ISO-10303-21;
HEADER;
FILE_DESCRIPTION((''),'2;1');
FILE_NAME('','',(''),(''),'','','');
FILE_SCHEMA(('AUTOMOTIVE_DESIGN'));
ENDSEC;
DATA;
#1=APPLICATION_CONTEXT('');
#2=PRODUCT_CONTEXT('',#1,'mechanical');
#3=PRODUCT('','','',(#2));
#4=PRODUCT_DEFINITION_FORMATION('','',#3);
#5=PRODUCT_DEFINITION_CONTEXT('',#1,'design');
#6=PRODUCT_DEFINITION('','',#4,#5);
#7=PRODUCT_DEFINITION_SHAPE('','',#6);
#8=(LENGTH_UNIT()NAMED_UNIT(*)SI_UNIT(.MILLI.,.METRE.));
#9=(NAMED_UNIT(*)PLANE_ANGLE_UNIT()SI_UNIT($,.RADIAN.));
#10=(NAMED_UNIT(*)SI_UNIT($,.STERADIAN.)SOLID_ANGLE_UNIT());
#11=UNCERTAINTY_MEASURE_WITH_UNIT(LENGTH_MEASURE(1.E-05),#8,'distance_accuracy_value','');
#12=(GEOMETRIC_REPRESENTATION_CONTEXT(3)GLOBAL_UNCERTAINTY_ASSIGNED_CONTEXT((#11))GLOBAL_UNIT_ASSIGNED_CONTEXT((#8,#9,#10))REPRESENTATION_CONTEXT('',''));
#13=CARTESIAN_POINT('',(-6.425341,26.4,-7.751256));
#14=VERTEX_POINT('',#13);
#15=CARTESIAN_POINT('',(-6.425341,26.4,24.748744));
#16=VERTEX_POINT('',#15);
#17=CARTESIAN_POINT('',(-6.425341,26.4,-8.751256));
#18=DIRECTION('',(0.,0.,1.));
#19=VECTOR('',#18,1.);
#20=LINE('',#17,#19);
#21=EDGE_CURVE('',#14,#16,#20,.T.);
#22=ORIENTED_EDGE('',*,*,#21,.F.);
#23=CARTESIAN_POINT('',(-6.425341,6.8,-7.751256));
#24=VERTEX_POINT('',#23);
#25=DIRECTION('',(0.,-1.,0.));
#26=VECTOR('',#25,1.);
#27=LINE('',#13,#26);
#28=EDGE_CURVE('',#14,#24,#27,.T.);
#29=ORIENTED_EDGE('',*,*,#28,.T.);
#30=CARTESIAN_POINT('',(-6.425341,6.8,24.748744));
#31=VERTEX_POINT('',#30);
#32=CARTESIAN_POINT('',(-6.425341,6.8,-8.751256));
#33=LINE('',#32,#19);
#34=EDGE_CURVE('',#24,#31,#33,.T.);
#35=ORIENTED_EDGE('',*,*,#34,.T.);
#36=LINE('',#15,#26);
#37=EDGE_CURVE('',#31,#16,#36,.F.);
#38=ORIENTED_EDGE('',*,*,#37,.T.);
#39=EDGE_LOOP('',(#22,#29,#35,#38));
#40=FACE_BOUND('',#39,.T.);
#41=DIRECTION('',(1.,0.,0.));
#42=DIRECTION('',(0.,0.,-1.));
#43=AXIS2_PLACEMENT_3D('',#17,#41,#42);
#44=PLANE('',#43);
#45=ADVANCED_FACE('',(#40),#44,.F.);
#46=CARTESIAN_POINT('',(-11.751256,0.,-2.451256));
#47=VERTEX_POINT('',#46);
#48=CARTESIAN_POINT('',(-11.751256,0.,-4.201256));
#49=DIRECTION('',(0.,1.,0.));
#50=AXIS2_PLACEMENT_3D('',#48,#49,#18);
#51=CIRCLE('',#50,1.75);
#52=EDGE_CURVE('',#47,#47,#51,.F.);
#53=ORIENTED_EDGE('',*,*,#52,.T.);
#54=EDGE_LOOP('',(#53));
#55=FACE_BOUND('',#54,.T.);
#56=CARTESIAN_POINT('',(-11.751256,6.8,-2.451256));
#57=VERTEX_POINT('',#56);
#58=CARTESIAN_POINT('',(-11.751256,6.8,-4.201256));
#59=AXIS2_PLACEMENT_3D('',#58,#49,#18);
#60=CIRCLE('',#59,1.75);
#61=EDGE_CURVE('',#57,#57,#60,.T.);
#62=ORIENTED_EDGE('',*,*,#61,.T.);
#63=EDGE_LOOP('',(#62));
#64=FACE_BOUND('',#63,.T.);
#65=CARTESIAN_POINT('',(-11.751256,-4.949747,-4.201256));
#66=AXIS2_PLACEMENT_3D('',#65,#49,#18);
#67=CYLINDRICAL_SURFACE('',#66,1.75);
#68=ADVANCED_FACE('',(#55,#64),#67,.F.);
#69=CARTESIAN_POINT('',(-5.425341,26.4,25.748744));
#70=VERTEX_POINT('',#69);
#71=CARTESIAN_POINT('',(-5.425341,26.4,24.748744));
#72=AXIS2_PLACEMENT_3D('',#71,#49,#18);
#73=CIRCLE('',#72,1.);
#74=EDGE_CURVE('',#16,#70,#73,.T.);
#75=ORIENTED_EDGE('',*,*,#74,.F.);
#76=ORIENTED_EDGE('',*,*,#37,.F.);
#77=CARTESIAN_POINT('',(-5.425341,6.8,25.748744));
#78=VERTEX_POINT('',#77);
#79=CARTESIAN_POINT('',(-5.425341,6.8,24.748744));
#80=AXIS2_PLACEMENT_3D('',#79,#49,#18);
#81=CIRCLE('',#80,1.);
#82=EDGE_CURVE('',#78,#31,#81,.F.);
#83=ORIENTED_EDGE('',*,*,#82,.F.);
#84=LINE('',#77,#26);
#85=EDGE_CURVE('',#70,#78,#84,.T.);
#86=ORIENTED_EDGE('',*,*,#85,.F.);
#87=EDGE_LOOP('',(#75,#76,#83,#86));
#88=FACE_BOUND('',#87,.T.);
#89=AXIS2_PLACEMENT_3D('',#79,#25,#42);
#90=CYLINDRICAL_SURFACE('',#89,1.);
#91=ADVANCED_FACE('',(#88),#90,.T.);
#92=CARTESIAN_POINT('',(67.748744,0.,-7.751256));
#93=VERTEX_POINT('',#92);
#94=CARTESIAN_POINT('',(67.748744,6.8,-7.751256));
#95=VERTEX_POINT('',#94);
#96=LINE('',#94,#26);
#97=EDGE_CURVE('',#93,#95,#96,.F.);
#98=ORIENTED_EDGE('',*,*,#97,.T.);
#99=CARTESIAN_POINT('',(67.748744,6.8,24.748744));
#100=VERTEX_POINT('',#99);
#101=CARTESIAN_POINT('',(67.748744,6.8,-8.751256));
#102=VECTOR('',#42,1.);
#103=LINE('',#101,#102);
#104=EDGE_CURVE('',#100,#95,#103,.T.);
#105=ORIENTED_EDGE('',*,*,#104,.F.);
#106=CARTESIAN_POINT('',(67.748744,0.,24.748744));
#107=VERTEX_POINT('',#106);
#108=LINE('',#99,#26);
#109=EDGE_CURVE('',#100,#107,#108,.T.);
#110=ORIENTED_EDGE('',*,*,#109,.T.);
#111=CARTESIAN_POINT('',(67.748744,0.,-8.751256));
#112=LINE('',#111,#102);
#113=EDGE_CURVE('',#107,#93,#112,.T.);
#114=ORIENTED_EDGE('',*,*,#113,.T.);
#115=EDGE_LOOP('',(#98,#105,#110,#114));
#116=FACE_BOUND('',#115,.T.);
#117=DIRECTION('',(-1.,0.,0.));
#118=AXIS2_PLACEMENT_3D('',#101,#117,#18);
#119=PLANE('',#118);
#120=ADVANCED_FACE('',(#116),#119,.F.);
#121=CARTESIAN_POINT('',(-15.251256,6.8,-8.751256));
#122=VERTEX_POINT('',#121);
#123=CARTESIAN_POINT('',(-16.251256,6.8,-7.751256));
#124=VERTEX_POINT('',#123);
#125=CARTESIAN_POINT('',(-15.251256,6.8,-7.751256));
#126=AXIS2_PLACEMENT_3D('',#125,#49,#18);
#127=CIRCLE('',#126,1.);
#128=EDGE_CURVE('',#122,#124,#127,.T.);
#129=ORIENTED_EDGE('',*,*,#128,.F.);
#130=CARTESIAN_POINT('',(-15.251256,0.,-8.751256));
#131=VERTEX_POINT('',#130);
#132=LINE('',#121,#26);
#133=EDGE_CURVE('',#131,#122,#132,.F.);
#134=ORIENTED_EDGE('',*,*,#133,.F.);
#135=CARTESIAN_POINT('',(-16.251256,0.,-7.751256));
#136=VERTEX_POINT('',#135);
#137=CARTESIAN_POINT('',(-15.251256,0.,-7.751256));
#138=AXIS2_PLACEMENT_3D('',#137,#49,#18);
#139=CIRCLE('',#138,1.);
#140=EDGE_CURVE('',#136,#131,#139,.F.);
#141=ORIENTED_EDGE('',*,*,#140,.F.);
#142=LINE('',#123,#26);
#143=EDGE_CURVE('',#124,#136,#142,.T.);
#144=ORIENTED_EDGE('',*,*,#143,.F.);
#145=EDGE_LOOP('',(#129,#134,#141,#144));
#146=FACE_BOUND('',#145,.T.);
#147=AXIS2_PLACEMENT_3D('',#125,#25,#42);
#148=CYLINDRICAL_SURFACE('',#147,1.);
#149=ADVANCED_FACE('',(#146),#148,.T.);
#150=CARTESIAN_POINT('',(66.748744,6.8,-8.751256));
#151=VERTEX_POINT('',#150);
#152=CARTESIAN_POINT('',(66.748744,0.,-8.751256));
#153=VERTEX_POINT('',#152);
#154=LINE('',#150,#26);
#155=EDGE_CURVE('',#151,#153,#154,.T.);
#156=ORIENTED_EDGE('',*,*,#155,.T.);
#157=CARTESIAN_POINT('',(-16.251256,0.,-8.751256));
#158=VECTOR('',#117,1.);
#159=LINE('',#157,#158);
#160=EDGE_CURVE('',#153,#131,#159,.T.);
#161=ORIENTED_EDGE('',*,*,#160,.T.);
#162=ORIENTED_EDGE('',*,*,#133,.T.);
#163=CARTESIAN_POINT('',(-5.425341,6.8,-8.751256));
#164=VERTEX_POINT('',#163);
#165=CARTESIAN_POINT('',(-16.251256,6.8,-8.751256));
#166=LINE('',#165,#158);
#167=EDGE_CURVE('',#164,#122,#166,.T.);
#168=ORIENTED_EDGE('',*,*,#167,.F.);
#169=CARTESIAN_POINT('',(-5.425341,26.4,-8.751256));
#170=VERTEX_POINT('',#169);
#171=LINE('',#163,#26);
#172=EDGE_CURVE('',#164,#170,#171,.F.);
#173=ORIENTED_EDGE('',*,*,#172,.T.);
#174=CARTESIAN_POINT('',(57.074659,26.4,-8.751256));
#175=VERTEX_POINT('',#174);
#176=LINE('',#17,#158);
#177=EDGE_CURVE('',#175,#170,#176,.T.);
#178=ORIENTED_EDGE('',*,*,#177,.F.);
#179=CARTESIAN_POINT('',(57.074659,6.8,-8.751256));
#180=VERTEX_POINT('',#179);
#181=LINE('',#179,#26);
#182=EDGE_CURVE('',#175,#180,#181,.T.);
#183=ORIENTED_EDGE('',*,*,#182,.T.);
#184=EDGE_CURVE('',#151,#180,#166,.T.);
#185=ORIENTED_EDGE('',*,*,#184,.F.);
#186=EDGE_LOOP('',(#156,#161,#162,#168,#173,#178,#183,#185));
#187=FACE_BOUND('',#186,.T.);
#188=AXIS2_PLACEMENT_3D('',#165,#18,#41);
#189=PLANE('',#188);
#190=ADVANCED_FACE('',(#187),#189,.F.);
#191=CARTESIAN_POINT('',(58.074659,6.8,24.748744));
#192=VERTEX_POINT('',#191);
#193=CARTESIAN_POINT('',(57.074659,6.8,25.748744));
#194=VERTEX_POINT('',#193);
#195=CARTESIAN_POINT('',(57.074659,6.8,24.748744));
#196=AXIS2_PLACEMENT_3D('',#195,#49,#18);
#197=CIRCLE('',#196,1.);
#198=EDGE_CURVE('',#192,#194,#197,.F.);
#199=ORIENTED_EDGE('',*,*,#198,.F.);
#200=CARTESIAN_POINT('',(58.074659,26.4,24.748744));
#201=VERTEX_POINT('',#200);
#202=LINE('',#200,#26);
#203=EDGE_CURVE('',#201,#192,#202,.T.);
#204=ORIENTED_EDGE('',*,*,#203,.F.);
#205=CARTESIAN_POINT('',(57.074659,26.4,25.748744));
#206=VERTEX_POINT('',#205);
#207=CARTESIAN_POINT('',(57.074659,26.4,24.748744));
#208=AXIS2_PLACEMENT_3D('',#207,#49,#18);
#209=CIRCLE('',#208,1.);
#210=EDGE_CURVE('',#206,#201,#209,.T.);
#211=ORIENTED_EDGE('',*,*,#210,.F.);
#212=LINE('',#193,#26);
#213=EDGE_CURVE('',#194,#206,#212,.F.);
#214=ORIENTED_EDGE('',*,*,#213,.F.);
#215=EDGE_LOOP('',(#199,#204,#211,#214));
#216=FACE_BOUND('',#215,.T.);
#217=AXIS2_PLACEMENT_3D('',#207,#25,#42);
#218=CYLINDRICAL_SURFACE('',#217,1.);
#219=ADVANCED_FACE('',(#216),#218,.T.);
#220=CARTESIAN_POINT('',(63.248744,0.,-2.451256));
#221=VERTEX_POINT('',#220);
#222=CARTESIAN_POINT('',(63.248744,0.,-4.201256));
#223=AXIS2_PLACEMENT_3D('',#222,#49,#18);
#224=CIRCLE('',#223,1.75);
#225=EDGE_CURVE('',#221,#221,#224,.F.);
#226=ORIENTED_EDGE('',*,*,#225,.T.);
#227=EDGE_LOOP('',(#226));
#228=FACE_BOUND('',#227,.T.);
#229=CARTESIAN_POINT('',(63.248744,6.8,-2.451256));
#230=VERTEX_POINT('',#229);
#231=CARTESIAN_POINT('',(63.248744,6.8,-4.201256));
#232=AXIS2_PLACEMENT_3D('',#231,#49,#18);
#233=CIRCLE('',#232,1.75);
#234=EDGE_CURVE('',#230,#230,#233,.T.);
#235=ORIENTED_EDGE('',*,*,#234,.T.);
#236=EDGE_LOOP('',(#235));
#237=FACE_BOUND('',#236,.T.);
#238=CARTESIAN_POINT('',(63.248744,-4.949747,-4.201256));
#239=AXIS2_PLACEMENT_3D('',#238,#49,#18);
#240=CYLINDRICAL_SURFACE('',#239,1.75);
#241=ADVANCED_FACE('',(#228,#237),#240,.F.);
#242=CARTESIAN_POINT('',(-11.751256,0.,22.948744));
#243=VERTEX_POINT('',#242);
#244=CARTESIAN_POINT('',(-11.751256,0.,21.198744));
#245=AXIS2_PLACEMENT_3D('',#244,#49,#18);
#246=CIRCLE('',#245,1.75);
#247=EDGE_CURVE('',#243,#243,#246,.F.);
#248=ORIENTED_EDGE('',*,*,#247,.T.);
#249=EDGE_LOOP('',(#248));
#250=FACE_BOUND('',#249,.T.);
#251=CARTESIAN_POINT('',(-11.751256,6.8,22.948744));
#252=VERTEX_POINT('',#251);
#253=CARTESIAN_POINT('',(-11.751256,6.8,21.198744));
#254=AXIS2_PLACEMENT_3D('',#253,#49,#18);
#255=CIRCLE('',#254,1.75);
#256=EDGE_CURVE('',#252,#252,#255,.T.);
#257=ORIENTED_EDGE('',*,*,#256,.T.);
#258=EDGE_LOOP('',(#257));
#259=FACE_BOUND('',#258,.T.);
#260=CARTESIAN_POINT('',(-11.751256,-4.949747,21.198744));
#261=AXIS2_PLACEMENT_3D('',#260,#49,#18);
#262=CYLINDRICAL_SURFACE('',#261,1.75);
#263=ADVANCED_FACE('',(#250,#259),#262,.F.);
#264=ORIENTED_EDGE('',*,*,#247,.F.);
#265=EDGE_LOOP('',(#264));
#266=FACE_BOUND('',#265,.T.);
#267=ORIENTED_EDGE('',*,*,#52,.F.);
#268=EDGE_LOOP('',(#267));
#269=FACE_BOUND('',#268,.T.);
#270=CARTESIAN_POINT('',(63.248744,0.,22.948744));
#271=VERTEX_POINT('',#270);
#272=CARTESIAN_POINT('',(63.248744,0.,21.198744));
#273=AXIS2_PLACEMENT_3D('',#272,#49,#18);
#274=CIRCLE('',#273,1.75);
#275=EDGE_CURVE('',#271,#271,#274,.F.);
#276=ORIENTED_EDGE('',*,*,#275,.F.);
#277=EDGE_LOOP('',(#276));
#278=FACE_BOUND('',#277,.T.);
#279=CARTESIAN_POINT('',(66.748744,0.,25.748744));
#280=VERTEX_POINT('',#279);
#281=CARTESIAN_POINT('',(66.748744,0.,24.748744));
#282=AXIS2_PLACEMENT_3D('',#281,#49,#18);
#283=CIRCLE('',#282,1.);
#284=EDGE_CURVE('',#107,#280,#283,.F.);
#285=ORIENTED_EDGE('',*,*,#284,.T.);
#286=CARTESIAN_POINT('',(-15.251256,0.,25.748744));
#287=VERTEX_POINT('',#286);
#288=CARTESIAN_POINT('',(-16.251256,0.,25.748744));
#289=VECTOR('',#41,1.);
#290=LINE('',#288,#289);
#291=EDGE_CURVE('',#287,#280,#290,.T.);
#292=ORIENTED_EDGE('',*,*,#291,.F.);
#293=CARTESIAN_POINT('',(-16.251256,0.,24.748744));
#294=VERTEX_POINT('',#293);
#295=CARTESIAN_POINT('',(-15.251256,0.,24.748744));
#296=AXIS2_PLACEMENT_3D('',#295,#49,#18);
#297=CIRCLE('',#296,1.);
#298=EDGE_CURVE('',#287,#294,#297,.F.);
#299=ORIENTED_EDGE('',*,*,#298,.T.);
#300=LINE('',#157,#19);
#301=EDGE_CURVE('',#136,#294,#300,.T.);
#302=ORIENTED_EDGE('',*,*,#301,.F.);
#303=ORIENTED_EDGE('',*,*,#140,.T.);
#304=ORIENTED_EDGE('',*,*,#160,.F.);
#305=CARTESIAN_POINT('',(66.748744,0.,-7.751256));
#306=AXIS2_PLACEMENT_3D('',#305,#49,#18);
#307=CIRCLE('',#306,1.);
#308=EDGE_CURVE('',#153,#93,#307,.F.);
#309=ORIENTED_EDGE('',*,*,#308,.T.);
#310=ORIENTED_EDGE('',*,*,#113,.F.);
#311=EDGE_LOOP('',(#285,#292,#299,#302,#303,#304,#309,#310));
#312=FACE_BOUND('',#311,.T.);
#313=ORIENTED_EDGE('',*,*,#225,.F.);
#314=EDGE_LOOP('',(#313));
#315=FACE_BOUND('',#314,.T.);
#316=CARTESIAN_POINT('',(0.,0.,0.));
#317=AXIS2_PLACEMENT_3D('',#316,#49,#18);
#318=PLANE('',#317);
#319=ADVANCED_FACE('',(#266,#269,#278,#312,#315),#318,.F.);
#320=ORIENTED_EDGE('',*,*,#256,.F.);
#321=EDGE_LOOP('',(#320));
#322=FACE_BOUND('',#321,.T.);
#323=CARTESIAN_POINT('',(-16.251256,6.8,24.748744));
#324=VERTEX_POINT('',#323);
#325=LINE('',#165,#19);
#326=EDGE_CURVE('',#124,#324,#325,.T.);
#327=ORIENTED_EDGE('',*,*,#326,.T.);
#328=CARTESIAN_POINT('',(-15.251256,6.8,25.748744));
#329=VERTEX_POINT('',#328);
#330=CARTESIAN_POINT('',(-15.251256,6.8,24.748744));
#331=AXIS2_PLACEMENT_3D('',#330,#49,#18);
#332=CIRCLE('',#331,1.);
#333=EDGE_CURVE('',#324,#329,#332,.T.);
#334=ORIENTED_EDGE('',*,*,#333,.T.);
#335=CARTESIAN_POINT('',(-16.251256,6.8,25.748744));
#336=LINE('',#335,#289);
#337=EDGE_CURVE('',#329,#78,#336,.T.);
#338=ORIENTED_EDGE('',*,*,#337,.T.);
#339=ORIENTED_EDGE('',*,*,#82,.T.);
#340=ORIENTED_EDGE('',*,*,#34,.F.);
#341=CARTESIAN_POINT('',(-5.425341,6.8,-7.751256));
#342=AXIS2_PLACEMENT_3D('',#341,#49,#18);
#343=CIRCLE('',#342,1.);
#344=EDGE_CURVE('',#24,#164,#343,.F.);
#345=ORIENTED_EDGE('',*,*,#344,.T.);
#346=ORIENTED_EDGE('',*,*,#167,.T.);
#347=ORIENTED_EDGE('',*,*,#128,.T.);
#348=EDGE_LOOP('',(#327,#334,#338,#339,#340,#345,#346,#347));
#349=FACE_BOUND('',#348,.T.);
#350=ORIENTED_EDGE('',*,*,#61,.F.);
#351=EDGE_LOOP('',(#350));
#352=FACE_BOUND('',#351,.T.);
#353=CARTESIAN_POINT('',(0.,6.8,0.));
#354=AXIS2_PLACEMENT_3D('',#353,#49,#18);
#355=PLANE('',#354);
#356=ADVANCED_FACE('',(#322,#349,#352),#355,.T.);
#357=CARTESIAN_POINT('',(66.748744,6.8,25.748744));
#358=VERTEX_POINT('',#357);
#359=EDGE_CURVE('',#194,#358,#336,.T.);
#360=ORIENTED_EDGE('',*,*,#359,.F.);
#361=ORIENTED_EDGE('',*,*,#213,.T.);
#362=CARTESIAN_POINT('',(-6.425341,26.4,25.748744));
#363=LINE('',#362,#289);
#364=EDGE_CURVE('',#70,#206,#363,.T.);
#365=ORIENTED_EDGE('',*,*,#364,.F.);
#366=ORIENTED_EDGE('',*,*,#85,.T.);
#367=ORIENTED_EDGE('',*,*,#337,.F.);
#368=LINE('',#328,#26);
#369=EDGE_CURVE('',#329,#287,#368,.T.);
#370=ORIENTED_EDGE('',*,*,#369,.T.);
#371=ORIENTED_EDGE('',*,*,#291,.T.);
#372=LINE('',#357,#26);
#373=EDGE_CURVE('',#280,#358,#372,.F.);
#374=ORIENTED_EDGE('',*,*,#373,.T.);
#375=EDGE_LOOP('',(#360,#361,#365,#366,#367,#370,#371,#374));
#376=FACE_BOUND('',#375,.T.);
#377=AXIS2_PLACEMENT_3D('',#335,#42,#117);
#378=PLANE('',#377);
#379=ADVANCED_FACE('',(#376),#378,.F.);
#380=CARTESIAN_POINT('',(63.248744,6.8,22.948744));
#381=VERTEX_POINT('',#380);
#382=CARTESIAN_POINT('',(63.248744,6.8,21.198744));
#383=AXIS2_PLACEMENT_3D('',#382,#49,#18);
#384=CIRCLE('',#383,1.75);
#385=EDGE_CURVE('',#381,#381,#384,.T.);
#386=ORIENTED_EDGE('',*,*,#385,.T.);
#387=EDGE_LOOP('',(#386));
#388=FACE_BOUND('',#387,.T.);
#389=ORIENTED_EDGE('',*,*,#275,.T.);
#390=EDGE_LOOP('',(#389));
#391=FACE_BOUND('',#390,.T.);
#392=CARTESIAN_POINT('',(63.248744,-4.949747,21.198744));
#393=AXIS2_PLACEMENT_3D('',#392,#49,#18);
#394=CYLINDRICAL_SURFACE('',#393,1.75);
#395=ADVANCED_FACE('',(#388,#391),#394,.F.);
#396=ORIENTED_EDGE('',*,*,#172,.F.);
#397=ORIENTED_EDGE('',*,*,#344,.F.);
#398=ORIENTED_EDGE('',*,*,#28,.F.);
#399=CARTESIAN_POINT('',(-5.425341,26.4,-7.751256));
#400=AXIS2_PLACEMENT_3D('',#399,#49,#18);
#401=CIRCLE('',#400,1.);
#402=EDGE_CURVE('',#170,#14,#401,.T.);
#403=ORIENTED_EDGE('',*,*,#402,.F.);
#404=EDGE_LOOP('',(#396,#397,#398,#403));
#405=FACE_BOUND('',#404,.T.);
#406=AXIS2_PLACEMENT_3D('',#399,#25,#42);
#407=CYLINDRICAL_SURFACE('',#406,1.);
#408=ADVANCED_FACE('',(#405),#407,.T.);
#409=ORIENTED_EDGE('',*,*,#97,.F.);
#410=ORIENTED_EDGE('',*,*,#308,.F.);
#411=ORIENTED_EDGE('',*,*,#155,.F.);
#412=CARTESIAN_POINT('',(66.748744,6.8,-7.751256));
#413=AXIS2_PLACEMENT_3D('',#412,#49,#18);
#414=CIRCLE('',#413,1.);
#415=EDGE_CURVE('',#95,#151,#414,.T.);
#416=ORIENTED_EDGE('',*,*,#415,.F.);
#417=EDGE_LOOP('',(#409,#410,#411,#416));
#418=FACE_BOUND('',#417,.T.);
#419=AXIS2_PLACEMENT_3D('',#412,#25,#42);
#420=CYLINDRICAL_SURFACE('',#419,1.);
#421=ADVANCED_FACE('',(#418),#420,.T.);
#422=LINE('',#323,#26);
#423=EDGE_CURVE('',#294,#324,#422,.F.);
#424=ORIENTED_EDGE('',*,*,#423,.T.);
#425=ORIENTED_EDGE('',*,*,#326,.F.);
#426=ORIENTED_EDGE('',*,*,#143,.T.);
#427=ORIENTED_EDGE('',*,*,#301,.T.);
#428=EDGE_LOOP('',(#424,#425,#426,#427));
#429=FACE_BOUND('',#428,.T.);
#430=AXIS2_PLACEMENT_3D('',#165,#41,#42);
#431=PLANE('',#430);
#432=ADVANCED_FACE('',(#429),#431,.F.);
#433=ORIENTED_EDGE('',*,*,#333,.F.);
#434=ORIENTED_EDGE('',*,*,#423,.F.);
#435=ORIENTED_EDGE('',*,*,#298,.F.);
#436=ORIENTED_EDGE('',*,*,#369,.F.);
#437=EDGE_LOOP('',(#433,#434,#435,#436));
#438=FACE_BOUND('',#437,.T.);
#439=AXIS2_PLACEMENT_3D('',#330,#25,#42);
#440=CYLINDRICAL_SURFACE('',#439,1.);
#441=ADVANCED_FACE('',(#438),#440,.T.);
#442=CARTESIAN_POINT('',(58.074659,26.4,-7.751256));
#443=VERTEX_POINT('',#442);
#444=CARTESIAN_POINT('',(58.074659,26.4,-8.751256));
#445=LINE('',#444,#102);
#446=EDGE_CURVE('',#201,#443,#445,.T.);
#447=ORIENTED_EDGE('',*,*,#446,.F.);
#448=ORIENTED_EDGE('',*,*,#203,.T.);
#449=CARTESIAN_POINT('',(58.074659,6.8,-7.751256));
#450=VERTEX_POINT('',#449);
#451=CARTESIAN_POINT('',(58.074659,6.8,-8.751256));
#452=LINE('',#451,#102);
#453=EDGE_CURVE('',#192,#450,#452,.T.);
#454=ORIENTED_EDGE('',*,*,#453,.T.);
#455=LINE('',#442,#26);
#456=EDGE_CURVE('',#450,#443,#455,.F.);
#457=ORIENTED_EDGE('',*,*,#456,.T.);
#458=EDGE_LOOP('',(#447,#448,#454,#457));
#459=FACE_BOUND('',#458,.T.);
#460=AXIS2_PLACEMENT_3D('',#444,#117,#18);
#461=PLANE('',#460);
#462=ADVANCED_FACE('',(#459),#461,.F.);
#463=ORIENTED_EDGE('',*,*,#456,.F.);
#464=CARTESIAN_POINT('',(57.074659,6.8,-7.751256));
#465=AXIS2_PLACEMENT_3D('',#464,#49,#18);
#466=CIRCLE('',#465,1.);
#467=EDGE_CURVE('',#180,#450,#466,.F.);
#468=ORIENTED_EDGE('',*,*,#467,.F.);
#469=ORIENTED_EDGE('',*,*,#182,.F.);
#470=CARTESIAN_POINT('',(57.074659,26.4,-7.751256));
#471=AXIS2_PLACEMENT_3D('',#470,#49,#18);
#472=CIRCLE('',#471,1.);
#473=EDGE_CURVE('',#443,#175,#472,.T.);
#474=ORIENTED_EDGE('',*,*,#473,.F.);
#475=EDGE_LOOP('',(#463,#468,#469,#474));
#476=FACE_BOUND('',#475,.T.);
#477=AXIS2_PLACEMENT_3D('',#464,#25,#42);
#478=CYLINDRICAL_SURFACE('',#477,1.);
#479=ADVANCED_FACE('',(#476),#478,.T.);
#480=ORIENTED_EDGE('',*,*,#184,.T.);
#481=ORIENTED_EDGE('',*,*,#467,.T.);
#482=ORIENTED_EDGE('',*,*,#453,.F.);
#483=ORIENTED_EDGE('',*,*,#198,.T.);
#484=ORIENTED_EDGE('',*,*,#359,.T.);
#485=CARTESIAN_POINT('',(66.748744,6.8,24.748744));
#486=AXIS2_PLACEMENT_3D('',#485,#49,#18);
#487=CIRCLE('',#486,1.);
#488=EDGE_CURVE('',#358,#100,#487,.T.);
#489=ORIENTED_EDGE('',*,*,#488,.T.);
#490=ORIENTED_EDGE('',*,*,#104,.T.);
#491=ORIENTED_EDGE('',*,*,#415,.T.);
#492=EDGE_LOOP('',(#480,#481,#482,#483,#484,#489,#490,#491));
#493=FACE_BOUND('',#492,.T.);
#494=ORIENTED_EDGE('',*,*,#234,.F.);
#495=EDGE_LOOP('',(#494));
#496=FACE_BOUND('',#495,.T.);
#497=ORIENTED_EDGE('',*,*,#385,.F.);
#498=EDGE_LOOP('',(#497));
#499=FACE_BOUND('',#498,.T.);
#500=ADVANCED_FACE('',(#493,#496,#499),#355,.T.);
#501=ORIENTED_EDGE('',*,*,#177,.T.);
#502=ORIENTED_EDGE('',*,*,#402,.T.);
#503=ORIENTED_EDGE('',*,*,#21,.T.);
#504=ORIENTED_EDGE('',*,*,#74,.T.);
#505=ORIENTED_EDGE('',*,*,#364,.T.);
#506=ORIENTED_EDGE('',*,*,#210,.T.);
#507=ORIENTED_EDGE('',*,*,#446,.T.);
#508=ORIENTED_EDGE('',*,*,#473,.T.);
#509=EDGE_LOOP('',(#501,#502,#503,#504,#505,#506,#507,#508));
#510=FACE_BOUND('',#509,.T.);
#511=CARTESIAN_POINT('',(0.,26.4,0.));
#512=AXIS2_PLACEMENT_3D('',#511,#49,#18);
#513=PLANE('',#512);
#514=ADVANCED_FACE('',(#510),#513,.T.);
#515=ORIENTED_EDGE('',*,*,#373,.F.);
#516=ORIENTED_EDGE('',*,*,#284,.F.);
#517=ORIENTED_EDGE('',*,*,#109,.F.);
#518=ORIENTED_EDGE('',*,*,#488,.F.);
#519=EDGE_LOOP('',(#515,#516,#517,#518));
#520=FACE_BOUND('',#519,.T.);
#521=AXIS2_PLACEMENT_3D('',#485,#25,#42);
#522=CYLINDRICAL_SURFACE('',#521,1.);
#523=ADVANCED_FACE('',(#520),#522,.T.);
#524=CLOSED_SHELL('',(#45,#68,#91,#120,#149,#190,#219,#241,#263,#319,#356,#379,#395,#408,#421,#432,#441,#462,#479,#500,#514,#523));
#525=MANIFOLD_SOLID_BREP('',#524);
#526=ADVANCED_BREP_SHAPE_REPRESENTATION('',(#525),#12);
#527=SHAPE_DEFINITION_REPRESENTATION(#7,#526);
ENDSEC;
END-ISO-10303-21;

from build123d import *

# Parameters (mm, degrees)
SKETCH1_W           = 84
SKETCH1_H           = 34.5
BOSS_EXTRUDE1_DEPTH = 6.8
SKETCH2_W           = 64.5
SKETCH2_H           = 34.5
BOSS_EXTRUDE2_DEPTH = 19.6
SKETCH3_R           = 1.75
CUT_EXTRUDE1_DEPTH  = 6.8
FILLET1_R           = 1
FILLET2_R           = 1


with BuildPart() as part:
    # Sketch1 → Boss-Extrude1 (new body)
    with BuildSketch(Plane(origin=(0, 0, 0), x_dir=(1, 0, 0), z_dir=(0, 1, 0))):
        with Locations((25.748743719, -8.498743719)):
            Rectangle(SKETCH1_W, SKETCH1_H)
    extrude(amount=BOSS_EXTRUDE1_DEPTH)

    # Sketch2 → Boss-Extrude2 (add)
    with BuildSketch(Plane(origin=(0, 6.8, 0), x_dir=(1, 0, 0), z_dir=(0, 1, 0))):
        with Locations((25.824659205, -8.498743719)):
            Rectangle(SKETCH2_W, SKETCH2_H)
    extrude(amount=BOSS_EXTRUDE2_DEPTH)

    # Sketch3 → Cut-Extrude1 (cut)
    with BuildSketch(Plane(origin=(0, 6.8, 0), x_dir=(1, 0, 0), z_dir=(0, 1, 0))):
        with Locations(Location((63.248743719, 4.201256281, 0), (0, 0, 270))):
            Circle(SKETCH3_R)
        with Locations(Location((63.248743719, -21.198743719, 0), (0, 0, 270))):
            Circle(SKETCH3_R)
        with Locations(Location((-11.751256281, -21.198743719, 0), (0, 0, 270))):
            Circle(SKETCH3_R)
        with Locations(Location((-11.751256281, 4.201256281, 0), (0, 0, 270))):
            Circle(SKETCH3_R)
    extrude(amount=-CUT_EXTRUDE1_DEPTH, mode=Mode.SUBTRACT)

    # Fillet1
    fillet1_edges = [part.edges().sort_by_distance(p)[0] for p in [
        (-16.251256281, 3.4, -8.751256281),
        (67.748743719, 3.4, -8.751256281),
        (67.748743719, 3.4, 25.748743719),
        (-16.251256281, 3.4, 25.748743719),
    ]]
    fillet(fillet1_edges, radius=FILLET1_R)

    # Fillet2
    fillet2_edges = [part.edges().sort_by_distance(p)[0] for p in [
        (-6.425340795, 16.6, -8.751256281),
        (-6.425340795, 16.6, 25.748743719),
        (58.074659205, 16.6, 25.748743719),
        (58.074659205, 16.6, -8.751256281),
    ]]
    fillet(fillet2_edges, radius=FILLET2_R)


solid = part.part
